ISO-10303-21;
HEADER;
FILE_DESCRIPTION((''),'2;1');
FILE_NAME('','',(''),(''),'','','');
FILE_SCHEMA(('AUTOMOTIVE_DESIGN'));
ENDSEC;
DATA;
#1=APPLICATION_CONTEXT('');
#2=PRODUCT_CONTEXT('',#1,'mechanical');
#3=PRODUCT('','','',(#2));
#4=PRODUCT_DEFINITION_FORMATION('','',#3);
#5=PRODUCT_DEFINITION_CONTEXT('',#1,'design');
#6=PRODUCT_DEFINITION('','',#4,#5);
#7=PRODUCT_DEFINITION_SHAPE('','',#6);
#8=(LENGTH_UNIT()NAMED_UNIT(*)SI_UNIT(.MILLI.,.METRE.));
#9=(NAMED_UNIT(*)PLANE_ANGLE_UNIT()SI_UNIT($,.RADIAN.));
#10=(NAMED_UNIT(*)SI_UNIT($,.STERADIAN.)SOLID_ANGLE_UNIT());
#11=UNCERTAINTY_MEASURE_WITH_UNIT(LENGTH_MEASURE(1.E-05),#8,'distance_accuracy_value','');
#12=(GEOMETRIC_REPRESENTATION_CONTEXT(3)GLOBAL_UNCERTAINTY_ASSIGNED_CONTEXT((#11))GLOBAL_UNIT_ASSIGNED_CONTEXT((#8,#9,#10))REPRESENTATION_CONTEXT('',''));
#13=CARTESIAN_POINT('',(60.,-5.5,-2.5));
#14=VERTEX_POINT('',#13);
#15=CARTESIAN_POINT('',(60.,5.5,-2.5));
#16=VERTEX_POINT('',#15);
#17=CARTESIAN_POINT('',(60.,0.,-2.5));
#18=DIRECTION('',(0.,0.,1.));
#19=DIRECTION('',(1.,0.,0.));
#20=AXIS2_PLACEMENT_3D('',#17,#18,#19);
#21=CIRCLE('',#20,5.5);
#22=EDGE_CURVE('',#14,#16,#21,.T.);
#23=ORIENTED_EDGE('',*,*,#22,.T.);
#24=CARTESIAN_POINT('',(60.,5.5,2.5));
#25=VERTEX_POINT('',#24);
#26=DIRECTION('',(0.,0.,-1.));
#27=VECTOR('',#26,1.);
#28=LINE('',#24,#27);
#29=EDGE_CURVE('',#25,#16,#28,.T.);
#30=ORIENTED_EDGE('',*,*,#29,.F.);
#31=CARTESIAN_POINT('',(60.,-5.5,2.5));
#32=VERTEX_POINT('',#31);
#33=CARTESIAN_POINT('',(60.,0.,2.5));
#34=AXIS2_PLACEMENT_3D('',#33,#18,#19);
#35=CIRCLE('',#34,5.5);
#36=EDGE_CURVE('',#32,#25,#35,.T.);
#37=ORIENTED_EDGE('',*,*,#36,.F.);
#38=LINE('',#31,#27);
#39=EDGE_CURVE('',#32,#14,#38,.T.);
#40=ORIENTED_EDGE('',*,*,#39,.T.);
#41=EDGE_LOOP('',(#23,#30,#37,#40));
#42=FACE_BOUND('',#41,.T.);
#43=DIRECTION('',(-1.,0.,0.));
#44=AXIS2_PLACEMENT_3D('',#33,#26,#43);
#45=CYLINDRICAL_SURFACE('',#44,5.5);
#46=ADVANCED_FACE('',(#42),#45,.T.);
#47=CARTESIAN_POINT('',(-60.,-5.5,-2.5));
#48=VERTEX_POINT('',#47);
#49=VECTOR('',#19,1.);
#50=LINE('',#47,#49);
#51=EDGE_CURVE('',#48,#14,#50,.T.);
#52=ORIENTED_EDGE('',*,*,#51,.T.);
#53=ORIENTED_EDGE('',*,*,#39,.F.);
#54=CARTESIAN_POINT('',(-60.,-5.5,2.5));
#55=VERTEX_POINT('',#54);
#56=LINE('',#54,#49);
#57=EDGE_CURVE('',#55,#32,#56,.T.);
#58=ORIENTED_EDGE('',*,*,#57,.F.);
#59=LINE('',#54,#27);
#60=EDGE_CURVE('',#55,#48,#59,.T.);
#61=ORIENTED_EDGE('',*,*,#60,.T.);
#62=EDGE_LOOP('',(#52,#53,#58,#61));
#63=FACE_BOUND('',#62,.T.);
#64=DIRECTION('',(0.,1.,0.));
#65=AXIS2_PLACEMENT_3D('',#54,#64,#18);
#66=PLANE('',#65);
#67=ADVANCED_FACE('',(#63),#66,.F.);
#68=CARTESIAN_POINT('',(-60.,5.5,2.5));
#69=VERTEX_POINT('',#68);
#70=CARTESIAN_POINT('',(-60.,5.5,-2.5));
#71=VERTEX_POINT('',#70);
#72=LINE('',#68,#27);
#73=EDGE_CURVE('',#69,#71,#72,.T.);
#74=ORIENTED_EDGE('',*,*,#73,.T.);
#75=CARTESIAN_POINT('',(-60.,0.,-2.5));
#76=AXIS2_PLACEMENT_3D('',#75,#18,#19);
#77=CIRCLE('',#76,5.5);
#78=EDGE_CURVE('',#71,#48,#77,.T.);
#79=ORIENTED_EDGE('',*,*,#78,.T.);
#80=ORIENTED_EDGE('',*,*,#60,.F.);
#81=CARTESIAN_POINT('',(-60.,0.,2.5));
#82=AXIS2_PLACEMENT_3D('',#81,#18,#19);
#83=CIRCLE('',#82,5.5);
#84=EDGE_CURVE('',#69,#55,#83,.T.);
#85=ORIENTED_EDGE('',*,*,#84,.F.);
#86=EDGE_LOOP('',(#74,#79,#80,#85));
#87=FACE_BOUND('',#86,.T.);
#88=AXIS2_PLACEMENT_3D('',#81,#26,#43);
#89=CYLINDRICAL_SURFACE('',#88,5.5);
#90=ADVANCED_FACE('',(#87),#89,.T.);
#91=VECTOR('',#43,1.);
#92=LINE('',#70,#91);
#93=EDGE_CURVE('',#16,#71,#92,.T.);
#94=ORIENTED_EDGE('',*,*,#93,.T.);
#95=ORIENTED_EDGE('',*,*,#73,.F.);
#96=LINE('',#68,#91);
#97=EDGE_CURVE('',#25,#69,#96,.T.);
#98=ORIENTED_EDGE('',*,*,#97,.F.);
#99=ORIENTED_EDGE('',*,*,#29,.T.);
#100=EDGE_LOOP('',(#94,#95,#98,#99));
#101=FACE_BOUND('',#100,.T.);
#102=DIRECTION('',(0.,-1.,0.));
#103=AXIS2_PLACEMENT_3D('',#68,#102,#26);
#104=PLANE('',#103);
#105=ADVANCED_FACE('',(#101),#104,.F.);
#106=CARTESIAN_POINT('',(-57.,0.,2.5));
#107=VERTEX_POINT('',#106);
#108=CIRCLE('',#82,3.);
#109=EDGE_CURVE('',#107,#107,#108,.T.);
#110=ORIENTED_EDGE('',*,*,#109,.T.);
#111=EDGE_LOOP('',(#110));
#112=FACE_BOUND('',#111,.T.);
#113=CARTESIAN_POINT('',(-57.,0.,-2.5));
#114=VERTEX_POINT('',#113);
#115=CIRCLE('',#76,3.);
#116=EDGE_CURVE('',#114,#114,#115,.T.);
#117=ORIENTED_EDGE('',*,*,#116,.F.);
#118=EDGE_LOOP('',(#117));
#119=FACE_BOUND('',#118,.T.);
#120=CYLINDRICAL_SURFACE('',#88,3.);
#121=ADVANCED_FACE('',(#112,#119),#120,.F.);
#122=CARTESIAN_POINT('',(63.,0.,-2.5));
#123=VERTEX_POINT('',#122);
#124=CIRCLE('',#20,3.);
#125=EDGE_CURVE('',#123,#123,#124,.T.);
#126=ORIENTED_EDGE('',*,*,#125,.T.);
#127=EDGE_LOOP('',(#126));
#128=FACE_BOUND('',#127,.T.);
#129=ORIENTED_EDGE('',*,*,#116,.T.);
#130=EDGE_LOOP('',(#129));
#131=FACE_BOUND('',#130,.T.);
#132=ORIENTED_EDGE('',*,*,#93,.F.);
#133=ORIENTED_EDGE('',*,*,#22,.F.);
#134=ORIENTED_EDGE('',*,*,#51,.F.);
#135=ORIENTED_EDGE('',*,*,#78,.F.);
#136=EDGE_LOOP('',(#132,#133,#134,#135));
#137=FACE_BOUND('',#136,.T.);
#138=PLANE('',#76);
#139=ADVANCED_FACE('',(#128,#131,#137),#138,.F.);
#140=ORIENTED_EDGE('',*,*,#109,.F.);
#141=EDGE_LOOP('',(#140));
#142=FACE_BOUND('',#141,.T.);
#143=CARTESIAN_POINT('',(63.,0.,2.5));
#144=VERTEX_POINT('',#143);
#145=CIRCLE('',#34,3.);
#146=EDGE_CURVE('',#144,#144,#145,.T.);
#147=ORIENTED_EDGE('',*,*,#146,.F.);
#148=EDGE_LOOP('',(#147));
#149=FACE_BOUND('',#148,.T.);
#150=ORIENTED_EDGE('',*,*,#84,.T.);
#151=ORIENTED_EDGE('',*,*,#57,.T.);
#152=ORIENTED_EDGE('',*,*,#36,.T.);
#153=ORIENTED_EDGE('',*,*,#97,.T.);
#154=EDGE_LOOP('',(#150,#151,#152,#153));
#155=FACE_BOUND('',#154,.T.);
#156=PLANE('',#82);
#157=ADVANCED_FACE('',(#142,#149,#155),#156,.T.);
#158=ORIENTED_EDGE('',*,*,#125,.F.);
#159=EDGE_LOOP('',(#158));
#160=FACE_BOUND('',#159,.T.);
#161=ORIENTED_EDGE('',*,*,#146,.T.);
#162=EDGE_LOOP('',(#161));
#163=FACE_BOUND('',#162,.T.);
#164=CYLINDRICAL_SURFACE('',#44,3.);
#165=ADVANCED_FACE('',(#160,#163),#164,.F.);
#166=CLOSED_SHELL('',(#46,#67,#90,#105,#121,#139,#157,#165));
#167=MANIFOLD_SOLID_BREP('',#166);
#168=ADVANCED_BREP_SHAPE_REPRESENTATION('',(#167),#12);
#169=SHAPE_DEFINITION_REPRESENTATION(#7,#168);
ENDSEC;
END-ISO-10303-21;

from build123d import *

# Parameters (mm, degrees)
SKETCH1_R           = 3
BOSS_EXTRUDE1_DEPTH = 2.5


with BuildPart() as part:
    # Sketch1 → Boss-Extrude1 (new body, symmetric)
    with BuildSketch(Plane.XY):
        with BuildLine():
            Line((-60, 5.5), (60, 5.5))
            ThreePointArc((60, 5.5), (65.5, 0), (60, -5.5))
            Line((60, -5.5), (-60, -5.5))
            ThreePointArc((-60, -5.5), (-65.5, 0), (-60, 5.5))
        make_face()
        with Locations((-60, 0)):
            Circle(SKETCH1_R, mode=Mode.SUBTRACT)
        with Locations((60, 0)):
            Circle(SKETCH1_R, mode=Mode.SUBTRACT)
    extrude(amount=BOSS_EXTRUDE1_DEPTH, both=True)


solid = part.part
